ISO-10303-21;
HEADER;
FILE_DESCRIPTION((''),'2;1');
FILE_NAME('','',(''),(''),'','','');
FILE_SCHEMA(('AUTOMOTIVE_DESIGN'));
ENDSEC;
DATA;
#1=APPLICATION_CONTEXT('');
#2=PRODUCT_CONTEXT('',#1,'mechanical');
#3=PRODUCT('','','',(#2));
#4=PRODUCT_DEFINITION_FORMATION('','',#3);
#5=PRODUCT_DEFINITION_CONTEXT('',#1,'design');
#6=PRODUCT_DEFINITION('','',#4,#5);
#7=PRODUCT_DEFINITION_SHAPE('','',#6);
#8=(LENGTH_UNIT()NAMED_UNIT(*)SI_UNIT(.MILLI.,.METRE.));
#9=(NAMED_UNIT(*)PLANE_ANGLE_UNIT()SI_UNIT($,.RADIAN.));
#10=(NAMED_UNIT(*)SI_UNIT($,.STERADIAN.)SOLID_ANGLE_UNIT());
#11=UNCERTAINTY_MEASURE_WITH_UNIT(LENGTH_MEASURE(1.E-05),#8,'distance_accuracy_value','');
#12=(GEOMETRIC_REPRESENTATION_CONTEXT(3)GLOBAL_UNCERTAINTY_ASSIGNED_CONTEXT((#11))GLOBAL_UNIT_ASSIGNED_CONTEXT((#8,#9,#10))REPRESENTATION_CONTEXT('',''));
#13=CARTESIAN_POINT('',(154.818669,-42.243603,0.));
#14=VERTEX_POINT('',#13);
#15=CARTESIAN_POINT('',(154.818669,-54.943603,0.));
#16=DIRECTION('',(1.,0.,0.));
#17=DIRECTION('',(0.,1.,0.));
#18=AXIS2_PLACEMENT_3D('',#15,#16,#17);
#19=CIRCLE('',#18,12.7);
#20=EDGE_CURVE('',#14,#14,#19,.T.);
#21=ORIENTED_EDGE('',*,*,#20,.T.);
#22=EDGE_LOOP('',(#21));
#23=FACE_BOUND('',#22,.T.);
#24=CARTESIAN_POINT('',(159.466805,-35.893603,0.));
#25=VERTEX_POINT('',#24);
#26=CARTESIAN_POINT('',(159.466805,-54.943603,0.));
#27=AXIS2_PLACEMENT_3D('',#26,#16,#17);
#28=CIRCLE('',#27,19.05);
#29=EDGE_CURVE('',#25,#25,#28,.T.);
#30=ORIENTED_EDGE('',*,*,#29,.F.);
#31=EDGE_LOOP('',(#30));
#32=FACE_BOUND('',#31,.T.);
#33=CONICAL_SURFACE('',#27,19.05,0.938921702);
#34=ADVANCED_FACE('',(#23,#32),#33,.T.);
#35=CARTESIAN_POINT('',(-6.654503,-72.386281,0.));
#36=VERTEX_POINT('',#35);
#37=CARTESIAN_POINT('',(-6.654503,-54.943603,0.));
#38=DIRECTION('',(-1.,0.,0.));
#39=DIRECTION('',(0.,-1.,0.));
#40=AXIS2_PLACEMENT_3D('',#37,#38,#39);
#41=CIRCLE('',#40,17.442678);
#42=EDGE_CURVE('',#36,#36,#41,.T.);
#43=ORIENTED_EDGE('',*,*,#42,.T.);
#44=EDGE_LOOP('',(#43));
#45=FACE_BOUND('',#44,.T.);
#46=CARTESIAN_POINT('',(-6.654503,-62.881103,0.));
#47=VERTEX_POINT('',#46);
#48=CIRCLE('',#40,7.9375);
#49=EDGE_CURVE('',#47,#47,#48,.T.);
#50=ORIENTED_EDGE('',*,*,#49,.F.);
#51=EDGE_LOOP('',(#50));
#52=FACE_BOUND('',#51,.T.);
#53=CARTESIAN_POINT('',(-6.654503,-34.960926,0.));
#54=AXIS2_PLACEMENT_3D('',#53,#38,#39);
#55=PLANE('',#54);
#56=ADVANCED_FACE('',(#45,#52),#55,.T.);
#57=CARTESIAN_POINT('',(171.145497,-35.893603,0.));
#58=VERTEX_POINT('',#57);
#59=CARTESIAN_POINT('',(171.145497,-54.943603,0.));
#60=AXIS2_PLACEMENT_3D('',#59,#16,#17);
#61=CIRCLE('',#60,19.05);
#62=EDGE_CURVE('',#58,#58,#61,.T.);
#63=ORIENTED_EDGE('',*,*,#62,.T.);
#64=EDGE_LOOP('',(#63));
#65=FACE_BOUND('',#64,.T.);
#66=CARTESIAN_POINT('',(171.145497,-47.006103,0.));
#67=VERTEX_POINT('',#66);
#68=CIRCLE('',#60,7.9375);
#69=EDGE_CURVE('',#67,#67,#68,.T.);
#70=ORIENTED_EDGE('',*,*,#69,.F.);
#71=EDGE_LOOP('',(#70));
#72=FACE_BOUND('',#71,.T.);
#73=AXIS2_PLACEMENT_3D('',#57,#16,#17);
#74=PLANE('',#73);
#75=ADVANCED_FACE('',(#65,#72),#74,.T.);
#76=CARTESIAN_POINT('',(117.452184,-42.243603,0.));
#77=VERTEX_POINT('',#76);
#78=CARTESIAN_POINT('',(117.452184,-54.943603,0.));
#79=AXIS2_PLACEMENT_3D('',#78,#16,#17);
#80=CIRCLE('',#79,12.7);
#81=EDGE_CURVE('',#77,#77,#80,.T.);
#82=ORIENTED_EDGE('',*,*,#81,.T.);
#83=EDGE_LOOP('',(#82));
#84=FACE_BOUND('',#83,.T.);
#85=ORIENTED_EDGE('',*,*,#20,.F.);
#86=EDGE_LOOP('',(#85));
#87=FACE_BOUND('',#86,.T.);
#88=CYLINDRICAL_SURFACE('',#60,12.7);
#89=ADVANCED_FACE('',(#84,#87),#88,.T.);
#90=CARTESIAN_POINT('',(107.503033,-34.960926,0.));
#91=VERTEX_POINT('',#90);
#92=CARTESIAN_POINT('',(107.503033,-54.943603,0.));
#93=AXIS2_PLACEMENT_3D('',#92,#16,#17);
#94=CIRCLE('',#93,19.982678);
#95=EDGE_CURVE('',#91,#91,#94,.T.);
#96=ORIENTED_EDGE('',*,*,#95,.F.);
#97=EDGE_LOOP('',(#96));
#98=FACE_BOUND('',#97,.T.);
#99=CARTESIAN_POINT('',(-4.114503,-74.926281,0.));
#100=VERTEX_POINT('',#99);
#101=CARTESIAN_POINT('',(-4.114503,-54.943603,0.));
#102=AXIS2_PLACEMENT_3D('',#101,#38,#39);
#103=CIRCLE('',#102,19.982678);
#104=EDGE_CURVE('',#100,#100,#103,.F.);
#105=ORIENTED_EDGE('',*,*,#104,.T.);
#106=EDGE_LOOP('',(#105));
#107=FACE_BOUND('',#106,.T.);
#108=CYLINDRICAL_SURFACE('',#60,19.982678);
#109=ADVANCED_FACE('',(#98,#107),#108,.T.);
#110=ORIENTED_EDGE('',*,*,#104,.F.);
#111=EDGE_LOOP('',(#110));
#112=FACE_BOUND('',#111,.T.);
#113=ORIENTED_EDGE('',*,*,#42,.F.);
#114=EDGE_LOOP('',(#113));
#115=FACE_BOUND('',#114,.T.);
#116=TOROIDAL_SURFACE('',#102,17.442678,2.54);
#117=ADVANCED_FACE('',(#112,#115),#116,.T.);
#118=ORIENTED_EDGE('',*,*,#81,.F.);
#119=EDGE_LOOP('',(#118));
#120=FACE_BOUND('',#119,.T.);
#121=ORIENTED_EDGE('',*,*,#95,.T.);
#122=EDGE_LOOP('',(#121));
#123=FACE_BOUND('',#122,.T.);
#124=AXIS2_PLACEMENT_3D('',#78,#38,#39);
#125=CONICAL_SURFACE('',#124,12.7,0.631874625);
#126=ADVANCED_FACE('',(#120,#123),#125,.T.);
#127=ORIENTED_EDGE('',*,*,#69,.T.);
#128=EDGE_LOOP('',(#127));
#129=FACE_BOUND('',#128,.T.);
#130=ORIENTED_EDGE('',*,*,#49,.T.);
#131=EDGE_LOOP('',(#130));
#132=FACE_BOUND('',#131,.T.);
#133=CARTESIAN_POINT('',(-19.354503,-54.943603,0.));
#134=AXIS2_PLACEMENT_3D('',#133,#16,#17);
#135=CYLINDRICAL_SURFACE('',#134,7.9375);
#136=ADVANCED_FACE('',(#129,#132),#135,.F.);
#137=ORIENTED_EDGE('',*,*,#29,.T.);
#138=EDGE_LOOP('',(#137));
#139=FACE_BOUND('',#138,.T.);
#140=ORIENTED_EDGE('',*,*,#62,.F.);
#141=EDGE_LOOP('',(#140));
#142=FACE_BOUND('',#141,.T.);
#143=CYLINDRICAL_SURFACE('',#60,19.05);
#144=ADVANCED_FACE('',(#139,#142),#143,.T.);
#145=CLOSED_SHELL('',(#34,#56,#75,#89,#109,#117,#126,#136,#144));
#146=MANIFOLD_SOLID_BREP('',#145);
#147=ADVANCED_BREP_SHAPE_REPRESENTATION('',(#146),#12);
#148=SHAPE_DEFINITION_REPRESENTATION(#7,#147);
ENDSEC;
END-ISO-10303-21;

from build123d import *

# Parameters (mm, degrees)
SKETCH4_R          = 7.9375
CUT_EXTRUDE1_DEPTH = 190.5
FILLET1_R          = 2.54


with BuildPart() as part:
    # Sketch1 → Revolve1 (revolve)
    with BuildSketch(Plane.XY):
        Polygon((107.503032851, -34.960925594), (117.452183803, -42.243603137), (154.81866926, -42.243603137), (159.466804827, -35.893603137), (171.145497316, -35.893603137), (171.145497316, -54.943603137), (-6.654502684, -54.943603137), (-6.654502684, -34.960925594), align=None)
    revolve(axis=Axis((171.145497316, -54.943603137, 0), (-1, 0, 0)))

    # Sketch4 → Cut-Extrude1 (cut)
    with BuildSketch(Plane(origin=(171.145497316, 0, 0), x_dir=(0, 0, -1), z_dir=(1, 0, 0))):
        with Locations(Location((0, -54.943603137, 0), (0, 0, 90))):
            Circle(SKETCH4_R)
    extrude(amount=-CUT_EXTRUDE1_DEPTH, mode=Mode.SUBTRACT)

    # Fillet1
    fillet1_edges = [part.edges().sort_by_distance(p)[0] for p in [
        (-6.654502684, -74.926280681, 0),
    ]]
    fillet(fillet1_edges, radius=FILLET1_R)


solid = part.part
